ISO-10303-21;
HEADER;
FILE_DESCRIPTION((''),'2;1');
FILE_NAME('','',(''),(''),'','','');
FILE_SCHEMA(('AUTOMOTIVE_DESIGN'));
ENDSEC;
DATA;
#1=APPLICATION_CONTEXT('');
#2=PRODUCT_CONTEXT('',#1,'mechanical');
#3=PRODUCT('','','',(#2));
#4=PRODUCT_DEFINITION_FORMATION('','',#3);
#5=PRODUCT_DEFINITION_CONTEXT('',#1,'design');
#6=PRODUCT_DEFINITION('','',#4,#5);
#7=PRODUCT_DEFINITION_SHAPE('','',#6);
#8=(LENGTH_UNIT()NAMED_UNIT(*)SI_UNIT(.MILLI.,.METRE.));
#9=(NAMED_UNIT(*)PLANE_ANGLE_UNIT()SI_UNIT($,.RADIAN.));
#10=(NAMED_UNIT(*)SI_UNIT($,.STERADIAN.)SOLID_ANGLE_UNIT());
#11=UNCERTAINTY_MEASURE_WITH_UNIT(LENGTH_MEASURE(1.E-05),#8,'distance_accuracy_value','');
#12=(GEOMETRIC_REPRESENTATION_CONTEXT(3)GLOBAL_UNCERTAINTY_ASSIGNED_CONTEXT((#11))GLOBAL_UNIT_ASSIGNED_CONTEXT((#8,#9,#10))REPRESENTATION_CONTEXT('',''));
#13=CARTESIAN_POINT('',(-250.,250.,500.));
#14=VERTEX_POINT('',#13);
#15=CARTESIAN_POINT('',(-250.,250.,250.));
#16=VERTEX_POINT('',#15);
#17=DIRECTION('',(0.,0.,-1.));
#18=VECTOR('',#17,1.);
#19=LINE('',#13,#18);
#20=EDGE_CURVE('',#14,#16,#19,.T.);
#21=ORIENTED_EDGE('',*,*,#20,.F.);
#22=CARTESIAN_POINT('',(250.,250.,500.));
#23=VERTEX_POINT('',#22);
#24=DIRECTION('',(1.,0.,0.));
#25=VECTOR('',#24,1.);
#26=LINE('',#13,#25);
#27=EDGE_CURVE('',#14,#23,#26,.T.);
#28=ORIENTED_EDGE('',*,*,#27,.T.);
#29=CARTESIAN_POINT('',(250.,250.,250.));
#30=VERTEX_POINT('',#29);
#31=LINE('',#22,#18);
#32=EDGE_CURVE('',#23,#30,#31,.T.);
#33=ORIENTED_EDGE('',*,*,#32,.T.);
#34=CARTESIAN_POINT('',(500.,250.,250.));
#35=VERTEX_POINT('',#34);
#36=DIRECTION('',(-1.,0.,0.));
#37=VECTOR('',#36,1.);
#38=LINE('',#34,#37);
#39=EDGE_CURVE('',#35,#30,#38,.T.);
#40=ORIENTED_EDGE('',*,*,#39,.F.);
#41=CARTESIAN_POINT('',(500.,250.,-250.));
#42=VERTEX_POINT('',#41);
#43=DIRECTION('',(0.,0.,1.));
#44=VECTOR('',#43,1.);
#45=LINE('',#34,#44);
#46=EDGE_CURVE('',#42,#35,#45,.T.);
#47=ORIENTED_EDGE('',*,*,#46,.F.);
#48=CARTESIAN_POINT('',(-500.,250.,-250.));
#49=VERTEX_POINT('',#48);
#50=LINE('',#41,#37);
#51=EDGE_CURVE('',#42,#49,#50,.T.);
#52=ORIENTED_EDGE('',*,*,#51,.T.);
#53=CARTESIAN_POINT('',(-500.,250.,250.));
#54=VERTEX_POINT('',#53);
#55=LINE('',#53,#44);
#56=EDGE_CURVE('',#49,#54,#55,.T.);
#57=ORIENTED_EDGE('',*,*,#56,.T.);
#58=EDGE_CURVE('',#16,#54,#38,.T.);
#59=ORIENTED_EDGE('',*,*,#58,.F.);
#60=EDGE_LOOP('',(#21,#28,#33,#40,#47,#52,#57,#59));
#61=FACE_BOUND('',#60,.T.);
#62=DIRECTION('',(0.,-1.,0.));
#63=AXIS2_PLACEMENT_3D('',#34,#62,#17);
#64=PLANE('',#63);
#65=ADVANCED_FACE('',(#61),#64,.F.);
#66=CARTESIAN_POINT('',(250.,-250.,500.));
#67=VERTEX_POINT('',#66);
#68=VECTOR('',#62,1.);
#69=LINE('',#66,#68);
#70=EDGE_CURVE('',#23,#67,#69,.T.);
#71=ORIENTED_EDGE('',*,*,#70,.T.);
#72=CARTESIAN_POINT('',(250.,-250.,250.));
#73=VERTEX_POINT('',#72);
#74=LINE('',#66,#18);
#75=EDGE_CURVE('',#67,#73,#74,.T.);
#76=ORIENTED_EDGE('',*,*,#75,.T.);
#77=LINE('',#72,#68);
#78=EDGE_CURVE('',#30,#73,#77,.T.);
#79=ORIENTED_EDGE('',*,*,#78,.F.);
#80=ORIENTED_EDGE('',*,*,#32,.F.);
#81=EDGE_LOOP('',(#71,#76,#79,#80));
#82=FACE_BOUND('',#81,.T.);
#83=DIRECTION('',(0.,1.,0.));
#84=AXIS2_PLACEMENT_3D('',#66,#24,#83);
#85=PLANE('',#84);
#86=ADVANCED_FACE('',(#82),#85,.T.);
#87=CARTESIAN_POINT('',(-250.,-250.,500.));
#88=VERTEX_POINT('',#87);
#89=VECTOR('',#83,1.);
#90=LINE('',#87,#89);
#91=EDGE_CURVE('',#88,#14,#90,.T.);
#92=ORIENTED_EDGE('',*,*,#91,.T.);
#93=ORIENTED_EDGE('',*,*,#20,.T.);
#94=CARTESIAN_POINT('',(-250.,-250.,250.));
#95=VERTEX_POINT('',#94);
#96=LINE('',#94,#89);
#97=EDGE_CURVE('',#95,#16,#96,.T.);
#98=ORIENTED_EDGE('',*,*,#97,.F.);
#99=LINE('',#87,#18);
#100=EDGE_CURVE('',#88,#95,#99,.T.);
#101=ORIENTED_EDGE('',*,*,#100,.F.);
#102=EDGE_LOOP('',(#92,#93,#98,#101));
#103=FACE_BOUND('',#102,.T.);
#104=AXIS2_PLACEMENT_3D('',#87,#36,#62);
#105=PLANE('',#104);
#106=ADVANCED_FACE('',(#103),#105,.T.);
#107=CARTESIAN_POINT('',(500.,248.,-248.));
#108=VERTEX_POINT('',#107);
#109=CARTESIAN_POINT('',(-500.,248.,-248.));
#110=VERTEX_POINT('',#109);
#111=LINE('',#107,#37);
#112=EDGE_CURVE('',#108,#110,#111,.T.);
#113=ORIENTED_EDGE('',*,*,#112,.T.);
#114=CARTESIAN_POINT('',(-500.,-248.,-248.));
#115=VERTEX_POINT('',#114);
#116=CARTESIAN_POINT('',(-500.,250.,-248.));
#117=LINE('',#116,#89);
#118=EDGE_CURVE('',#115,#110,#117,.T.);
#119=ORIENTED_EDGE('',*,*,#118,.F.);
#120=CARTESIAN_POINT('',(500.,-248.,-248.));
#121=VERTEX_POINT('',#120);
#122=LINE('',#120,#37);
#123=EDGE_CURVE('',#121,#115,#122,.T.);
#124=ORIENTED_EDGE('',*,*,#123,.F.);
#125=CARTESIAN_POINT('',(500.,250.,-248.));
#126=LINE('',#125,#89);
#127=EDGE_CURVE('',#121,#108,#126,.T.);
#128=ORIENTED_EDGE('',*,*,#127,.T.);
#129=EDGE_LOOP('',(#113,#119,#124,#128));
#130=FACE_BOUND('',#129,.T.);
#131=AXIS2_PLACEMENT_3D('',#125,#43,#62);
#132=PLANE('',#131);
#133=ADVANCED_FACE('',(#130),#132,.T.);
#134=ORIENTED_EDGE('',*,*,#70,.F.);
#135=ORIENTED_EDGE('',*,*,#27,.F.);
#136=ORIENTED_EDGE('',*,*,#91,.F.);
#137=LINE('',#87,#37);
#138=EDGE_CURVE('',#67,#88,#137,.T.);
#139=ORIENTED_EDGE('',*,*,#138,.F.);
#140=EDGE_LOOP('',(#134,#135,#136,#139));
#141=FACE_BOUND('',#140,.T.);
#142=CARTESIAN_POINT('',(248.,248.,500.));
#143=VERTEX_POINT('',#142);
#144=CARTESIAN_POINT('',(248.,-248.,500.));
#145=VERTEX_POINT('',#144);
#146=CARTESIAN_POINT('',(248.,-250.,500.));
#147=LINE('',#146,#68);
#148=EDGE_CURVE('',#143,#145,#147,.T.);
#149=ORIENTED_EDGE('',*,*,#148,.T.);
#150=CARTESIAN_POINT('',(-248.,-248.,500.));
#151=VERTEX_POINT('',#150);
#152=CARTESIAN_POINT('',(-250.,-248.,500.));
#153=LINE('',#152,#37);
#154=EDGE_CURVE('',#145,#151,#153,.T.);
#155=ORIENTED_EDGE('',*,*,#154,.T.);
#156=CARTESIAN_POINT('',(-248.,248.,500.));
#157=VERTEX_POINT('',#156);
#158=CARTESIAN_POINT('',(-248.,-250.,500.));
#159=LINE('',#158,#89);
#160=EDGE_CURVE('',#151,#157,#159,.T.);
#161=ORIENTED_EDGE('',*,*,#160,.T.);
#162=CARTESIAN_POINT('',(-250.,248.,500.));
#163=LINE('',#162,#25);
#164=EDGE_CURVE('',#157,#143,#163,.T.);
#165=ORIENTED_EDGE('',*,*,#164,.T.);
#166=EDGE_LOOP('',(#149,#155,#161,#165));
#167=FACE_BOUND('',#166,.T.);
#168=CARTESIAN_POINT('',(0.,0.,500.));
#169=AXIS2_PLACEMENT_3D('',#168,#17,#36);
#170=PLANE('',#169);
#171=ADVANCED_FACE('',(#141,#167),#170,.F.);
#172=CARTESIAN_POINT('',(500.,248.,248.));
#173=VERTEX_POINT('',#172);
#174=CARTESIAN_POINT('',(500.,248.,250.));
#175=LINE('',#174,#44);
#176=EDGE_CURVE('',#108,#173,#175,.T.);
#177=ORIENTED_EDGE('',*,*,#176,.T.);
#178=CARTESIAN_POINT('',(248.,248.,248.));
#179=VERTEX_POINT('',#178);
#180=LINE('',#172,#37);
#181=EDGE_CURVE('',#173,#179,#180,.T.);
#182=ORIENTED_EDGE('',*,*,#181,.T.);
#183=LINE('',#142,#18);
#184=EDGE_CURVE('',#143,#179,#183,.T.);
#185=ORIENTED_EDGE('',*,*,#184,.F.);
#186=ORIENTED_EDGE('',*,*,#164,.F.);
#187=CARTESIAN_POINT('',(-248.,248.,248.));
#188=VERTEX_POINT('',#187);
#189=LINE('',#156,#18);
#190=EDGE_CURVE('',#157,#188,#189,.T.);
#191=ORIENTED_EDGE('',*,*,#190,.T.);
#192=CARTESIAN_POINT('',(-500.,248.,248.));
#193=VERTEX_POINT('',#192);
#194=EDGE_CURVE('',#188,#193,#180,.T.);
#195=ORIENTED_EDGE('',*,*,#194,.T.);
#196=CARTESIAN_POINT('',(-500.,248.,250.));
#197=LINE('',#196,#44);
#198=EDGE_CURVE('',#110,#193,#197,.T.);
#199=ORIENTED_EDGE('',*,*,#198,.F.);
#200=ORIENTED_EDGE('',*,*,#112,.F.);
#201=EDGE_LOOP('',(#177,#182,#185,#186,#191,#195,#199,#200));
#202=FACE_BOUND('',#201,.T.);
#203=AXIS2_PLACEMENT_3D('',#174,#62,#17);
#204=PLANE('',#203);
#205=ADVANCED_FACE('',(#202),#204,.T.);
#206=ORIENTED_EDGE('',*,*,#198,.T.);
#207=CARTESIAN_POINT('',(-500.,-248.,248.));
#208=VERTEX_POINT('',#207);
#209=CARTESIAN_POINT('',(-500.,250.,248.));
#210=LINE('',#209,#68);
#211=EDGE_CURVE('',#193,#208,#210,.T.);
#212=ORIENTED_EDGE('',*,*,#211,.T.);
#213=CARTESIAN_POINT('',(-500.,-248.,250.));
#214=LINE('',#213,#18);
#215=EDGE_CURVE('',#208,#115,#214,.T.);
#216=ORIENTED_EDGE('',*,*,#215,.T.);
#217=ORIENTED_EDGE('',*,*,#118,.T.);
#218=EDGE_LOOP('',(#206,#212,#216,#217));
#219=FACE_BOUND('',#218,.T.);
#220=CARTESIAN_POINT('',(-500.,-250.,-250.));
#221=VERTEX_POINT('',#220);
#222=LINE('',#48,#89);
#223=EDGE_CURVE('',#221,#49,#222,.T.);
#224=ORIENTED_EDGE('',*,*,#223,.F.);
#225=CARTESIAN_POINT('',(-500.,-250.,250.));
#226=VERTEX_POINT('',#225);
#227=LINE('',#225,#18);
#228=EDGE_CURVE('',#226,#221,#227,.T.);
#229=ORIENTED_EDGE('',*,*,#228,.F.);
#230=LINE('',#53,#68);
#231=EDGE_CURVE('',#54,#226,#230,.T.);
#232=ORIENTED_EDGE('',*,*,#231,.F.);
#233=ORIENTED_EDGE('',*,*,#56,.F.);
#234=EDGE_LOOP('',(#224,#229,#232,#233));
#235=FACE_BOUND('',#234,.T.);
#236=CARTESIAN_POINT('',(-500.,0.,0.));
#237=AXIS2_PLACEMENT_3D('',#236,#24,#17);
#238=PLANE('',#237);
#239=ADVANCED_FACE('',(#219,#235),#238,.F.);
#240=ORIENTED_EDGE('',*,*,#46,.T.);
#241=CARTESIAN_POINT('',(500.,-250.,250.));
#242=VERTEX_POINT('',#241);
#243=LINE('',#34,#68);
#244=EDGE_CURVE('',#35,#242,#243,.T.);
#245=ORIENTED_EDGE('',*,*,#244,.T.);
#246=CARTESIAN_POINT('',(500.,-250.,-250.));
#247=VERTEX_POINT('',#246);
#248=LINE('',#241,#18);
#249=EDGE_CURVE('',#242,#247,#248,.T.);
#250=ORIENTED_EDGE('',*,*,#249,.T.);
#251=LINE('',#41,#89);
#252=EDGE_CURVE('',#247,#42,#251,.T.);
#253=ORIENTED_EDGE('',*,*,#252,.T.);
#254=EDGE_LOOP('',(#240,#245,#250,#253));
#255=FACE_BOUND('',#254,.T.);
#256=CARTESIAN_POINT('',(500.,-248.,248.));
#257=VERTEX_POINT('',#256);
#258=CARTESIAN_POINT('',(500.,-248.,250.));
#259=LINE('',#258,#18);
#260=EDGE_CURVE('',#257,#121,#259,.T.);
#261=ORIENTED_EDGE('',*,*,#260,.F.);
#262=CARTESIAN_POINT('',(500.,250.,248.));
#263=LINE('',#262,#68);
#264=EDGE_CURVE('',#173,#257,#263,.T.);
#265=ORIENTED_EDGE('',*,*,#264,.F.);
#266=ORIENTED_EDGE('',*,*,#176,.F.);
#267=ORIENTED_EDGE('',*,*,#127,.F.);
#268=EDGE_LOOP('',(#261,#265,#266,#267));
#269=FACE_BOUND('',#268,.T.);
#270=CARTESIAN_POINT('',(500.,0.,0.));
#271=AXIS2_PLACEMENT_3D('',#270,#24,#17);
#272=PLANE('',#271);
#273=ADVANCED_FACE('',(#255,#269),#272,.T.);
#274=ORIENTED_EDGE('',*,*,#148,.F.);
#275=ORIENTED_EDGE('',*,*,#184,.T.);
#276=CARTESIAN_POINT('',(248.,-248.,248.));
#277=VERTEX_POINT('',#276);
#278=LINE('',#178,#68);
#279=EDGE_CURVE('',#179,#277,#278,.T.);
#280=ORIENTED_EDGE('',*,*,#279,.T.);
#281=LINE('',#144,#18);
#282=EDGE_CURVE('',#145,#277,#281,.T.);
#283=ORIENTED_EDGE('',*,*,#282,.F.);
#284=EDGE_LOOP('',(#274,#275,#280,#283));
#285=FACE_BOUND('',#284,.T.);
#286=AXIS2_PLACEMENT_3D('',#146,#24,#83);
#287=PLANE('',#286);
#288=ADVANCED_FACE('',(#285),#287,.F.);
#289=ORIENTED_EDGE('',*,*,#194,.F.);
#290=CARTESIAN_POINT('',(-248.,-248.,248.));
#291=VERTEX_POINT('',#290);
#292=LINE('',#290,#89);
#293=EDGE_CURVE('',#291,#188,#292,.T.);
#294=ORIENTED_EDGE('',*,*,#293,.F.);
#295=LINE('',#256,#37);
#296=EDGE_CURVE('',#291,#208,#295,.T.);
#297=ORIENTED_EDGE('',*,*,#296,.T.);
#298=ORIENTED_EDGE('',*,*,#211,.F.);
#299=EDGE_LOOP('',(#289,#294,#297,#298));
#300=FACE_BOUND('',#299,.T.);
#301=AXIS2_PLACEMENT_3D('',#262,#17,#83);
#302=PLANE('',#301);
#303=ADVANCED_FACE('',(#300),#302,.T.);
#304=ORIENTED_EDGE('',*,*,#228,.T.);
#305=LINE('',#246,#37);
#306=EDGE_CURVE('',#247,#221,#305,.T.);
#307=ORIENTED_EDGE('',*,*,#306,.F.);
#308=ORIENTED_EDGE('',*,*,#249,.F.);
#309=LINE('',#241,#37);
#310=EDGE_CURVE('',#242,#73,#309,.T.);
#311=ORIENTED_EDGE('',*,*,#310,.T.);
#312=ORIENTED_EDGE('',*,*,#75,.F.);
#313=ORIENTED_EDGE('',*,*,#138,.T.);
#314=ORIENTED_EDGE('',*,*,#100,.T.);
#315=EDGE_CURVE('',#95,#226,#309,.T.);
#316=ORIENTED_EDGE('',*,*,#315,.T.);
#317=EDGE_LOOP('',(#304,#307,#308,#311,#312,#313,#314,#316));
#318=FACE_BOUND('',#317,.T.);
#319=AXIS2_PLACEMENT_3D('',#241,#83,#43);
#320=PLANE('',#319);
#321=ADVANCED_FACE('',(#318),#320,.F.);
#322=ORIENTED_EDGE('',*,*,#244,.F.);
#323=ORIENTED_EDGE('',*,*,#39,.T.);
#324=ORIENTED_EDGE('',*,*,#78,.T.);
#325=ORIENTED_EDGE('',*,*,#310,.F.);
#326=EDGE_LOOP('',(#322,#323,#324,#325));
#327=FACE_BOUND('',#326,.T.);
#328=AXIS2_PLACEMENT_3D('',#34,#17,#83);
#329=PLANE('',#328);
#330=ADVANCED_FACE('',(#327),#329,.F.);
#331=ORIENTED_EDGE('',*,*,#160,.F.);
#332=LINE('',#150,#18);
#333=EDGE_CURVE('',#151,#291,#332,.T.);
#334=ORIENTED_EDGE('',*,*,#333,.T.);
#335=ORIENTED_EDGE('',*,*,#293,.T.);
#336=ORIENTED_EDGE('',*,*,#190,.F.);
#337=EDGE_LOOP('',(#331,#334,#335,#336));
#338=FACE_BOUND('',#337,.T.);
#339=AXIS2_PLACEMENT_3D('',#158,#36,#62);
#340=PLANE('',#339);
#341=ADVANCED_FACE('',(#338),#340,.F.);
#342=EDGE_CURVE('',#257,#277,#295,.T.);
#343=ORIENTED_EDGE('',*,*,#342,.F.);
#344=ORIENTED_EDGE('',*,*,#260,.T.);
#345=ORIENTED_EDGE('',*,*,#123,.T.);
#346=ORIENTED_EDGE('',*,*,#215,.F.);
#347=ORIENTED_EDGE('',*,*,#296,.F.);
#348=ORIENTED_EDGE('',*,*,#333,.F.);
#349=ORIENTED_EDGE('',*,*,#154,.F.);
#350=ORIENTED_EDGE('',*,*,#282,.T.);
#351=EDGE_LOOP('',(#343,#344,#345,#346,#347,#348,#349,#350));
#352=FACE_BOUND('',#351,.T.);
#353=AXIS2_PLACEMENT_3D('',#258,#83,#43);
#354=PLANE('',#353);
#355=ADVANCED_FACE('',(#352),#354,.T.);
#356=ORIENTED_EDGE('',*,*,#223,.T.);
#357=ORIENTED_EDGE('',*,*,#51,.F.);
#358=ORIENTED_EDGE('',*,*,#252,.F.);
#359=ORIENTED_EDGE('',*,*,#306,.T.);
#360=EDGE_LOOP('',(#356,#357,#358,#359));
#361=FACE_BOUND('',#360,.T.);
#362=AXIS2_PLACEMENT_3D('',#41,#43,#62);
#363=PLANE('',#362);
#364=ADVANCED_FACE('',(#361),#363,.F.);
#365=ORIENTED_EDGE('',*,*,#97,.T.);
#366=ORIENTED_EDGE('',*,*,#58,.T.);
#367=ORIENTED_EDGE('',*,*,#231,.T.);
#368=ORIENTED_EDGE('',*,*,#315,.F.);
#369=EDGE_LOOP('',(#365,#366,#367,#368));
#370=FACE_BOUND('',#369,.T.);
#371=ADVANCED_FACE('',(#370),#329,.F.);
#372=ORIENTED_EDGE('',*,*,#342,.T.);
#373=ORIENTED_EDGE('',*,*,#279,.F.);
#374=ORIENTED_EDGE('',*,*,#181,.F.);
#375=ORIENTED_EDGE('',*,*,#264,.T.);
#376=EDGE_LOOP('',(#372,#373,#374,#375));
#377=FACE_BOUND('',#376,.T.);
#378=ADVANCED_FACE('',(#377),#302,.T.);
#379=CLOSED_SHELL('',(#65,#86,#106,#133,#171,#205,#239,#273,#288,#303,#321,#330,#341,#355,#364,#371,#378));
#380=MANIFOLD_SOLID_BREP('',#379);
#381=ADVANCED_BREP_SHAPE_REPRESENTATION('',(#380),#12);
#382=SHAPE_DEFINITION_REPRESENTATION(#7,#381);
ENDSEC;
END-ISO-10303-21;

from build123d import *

# Parameters (mm, degrees)
SKETCH1_W           = 500
SKETCH1_H           = 500
SKETCH1_W_2         = 496
SKETCH1_H_2         = 496
EXTRUDE_THIN1_DEPTH = 500
SKETCH2_W           = 500
SKETCH2_H           = 500
SKETCH2_W_2         = 496
SKETCH2_H_2         = 496
EXTRUDE_THIN2_DEPTH = 250
CUT_EXTRUDE1_REACH  = 1348.291
SKETCH3_W           = 496
SKETCH3_H           = 496


with BuildPart() as part:
    # Sketch1 → Extrude-Thin1 (new, symmetric)
    with BuildSketch(Plane(origin=(0, 0, 0), x_dir=(0, 0, -1), z_dir=(1, 0, 0))):
        Rectangle(SKETCH1_W, SKETCH1_H)
        Rectangle(SKETCH1_W_2, SKETCH1_H_2, mode=Mode.SUBTRACT)
    extrude(amount=EXTRUDE_THIN1_DEPTH, both=True)

    # Sketch2 → Extrude-Thin2 (add)
    with BuildSketch(Plane(origin=(0, -250, 250), x_dir=(1, 0, 0), z_dir=(0, 0, -1))):
        with Locations((0, -250)):
            Rectangle(SKETCH2_W, SKETCH2_H)
        with Locations((0, -250)):
            Rectangle(SKETCH2_W_2, SKETCH2_H_2, mode=Mode.SUBTRACT)
    extrude(amount=-EXTRUDE_THIN2_DEPTH)

    # Sketch3 → Cut-Extrude1 (cut, up to next)
    with BuildSketch(Plane(origin=(0, -750, 500), x_dir=(1, 0, 0), z_dir=(0, 0, -1)), mode=Mode.PRIVATE) as cut_extrude1_sk1:
        with Locations((0, -750)):
            Rectangle(SKETCH3_W, SKETCH3_H)
    cut_extrude1_tool1 = extrude(cut_extrude1_sk1.sketch, amount=CUT_EXTRUDE1_REACH, mode=Mode.PRIVATE) & part.part
    add(cut_extrude1_tool1.solids().sort_by_distance((0, 0, 500))[0], mode=Mode.SUBTRACT)


solid = part.part
